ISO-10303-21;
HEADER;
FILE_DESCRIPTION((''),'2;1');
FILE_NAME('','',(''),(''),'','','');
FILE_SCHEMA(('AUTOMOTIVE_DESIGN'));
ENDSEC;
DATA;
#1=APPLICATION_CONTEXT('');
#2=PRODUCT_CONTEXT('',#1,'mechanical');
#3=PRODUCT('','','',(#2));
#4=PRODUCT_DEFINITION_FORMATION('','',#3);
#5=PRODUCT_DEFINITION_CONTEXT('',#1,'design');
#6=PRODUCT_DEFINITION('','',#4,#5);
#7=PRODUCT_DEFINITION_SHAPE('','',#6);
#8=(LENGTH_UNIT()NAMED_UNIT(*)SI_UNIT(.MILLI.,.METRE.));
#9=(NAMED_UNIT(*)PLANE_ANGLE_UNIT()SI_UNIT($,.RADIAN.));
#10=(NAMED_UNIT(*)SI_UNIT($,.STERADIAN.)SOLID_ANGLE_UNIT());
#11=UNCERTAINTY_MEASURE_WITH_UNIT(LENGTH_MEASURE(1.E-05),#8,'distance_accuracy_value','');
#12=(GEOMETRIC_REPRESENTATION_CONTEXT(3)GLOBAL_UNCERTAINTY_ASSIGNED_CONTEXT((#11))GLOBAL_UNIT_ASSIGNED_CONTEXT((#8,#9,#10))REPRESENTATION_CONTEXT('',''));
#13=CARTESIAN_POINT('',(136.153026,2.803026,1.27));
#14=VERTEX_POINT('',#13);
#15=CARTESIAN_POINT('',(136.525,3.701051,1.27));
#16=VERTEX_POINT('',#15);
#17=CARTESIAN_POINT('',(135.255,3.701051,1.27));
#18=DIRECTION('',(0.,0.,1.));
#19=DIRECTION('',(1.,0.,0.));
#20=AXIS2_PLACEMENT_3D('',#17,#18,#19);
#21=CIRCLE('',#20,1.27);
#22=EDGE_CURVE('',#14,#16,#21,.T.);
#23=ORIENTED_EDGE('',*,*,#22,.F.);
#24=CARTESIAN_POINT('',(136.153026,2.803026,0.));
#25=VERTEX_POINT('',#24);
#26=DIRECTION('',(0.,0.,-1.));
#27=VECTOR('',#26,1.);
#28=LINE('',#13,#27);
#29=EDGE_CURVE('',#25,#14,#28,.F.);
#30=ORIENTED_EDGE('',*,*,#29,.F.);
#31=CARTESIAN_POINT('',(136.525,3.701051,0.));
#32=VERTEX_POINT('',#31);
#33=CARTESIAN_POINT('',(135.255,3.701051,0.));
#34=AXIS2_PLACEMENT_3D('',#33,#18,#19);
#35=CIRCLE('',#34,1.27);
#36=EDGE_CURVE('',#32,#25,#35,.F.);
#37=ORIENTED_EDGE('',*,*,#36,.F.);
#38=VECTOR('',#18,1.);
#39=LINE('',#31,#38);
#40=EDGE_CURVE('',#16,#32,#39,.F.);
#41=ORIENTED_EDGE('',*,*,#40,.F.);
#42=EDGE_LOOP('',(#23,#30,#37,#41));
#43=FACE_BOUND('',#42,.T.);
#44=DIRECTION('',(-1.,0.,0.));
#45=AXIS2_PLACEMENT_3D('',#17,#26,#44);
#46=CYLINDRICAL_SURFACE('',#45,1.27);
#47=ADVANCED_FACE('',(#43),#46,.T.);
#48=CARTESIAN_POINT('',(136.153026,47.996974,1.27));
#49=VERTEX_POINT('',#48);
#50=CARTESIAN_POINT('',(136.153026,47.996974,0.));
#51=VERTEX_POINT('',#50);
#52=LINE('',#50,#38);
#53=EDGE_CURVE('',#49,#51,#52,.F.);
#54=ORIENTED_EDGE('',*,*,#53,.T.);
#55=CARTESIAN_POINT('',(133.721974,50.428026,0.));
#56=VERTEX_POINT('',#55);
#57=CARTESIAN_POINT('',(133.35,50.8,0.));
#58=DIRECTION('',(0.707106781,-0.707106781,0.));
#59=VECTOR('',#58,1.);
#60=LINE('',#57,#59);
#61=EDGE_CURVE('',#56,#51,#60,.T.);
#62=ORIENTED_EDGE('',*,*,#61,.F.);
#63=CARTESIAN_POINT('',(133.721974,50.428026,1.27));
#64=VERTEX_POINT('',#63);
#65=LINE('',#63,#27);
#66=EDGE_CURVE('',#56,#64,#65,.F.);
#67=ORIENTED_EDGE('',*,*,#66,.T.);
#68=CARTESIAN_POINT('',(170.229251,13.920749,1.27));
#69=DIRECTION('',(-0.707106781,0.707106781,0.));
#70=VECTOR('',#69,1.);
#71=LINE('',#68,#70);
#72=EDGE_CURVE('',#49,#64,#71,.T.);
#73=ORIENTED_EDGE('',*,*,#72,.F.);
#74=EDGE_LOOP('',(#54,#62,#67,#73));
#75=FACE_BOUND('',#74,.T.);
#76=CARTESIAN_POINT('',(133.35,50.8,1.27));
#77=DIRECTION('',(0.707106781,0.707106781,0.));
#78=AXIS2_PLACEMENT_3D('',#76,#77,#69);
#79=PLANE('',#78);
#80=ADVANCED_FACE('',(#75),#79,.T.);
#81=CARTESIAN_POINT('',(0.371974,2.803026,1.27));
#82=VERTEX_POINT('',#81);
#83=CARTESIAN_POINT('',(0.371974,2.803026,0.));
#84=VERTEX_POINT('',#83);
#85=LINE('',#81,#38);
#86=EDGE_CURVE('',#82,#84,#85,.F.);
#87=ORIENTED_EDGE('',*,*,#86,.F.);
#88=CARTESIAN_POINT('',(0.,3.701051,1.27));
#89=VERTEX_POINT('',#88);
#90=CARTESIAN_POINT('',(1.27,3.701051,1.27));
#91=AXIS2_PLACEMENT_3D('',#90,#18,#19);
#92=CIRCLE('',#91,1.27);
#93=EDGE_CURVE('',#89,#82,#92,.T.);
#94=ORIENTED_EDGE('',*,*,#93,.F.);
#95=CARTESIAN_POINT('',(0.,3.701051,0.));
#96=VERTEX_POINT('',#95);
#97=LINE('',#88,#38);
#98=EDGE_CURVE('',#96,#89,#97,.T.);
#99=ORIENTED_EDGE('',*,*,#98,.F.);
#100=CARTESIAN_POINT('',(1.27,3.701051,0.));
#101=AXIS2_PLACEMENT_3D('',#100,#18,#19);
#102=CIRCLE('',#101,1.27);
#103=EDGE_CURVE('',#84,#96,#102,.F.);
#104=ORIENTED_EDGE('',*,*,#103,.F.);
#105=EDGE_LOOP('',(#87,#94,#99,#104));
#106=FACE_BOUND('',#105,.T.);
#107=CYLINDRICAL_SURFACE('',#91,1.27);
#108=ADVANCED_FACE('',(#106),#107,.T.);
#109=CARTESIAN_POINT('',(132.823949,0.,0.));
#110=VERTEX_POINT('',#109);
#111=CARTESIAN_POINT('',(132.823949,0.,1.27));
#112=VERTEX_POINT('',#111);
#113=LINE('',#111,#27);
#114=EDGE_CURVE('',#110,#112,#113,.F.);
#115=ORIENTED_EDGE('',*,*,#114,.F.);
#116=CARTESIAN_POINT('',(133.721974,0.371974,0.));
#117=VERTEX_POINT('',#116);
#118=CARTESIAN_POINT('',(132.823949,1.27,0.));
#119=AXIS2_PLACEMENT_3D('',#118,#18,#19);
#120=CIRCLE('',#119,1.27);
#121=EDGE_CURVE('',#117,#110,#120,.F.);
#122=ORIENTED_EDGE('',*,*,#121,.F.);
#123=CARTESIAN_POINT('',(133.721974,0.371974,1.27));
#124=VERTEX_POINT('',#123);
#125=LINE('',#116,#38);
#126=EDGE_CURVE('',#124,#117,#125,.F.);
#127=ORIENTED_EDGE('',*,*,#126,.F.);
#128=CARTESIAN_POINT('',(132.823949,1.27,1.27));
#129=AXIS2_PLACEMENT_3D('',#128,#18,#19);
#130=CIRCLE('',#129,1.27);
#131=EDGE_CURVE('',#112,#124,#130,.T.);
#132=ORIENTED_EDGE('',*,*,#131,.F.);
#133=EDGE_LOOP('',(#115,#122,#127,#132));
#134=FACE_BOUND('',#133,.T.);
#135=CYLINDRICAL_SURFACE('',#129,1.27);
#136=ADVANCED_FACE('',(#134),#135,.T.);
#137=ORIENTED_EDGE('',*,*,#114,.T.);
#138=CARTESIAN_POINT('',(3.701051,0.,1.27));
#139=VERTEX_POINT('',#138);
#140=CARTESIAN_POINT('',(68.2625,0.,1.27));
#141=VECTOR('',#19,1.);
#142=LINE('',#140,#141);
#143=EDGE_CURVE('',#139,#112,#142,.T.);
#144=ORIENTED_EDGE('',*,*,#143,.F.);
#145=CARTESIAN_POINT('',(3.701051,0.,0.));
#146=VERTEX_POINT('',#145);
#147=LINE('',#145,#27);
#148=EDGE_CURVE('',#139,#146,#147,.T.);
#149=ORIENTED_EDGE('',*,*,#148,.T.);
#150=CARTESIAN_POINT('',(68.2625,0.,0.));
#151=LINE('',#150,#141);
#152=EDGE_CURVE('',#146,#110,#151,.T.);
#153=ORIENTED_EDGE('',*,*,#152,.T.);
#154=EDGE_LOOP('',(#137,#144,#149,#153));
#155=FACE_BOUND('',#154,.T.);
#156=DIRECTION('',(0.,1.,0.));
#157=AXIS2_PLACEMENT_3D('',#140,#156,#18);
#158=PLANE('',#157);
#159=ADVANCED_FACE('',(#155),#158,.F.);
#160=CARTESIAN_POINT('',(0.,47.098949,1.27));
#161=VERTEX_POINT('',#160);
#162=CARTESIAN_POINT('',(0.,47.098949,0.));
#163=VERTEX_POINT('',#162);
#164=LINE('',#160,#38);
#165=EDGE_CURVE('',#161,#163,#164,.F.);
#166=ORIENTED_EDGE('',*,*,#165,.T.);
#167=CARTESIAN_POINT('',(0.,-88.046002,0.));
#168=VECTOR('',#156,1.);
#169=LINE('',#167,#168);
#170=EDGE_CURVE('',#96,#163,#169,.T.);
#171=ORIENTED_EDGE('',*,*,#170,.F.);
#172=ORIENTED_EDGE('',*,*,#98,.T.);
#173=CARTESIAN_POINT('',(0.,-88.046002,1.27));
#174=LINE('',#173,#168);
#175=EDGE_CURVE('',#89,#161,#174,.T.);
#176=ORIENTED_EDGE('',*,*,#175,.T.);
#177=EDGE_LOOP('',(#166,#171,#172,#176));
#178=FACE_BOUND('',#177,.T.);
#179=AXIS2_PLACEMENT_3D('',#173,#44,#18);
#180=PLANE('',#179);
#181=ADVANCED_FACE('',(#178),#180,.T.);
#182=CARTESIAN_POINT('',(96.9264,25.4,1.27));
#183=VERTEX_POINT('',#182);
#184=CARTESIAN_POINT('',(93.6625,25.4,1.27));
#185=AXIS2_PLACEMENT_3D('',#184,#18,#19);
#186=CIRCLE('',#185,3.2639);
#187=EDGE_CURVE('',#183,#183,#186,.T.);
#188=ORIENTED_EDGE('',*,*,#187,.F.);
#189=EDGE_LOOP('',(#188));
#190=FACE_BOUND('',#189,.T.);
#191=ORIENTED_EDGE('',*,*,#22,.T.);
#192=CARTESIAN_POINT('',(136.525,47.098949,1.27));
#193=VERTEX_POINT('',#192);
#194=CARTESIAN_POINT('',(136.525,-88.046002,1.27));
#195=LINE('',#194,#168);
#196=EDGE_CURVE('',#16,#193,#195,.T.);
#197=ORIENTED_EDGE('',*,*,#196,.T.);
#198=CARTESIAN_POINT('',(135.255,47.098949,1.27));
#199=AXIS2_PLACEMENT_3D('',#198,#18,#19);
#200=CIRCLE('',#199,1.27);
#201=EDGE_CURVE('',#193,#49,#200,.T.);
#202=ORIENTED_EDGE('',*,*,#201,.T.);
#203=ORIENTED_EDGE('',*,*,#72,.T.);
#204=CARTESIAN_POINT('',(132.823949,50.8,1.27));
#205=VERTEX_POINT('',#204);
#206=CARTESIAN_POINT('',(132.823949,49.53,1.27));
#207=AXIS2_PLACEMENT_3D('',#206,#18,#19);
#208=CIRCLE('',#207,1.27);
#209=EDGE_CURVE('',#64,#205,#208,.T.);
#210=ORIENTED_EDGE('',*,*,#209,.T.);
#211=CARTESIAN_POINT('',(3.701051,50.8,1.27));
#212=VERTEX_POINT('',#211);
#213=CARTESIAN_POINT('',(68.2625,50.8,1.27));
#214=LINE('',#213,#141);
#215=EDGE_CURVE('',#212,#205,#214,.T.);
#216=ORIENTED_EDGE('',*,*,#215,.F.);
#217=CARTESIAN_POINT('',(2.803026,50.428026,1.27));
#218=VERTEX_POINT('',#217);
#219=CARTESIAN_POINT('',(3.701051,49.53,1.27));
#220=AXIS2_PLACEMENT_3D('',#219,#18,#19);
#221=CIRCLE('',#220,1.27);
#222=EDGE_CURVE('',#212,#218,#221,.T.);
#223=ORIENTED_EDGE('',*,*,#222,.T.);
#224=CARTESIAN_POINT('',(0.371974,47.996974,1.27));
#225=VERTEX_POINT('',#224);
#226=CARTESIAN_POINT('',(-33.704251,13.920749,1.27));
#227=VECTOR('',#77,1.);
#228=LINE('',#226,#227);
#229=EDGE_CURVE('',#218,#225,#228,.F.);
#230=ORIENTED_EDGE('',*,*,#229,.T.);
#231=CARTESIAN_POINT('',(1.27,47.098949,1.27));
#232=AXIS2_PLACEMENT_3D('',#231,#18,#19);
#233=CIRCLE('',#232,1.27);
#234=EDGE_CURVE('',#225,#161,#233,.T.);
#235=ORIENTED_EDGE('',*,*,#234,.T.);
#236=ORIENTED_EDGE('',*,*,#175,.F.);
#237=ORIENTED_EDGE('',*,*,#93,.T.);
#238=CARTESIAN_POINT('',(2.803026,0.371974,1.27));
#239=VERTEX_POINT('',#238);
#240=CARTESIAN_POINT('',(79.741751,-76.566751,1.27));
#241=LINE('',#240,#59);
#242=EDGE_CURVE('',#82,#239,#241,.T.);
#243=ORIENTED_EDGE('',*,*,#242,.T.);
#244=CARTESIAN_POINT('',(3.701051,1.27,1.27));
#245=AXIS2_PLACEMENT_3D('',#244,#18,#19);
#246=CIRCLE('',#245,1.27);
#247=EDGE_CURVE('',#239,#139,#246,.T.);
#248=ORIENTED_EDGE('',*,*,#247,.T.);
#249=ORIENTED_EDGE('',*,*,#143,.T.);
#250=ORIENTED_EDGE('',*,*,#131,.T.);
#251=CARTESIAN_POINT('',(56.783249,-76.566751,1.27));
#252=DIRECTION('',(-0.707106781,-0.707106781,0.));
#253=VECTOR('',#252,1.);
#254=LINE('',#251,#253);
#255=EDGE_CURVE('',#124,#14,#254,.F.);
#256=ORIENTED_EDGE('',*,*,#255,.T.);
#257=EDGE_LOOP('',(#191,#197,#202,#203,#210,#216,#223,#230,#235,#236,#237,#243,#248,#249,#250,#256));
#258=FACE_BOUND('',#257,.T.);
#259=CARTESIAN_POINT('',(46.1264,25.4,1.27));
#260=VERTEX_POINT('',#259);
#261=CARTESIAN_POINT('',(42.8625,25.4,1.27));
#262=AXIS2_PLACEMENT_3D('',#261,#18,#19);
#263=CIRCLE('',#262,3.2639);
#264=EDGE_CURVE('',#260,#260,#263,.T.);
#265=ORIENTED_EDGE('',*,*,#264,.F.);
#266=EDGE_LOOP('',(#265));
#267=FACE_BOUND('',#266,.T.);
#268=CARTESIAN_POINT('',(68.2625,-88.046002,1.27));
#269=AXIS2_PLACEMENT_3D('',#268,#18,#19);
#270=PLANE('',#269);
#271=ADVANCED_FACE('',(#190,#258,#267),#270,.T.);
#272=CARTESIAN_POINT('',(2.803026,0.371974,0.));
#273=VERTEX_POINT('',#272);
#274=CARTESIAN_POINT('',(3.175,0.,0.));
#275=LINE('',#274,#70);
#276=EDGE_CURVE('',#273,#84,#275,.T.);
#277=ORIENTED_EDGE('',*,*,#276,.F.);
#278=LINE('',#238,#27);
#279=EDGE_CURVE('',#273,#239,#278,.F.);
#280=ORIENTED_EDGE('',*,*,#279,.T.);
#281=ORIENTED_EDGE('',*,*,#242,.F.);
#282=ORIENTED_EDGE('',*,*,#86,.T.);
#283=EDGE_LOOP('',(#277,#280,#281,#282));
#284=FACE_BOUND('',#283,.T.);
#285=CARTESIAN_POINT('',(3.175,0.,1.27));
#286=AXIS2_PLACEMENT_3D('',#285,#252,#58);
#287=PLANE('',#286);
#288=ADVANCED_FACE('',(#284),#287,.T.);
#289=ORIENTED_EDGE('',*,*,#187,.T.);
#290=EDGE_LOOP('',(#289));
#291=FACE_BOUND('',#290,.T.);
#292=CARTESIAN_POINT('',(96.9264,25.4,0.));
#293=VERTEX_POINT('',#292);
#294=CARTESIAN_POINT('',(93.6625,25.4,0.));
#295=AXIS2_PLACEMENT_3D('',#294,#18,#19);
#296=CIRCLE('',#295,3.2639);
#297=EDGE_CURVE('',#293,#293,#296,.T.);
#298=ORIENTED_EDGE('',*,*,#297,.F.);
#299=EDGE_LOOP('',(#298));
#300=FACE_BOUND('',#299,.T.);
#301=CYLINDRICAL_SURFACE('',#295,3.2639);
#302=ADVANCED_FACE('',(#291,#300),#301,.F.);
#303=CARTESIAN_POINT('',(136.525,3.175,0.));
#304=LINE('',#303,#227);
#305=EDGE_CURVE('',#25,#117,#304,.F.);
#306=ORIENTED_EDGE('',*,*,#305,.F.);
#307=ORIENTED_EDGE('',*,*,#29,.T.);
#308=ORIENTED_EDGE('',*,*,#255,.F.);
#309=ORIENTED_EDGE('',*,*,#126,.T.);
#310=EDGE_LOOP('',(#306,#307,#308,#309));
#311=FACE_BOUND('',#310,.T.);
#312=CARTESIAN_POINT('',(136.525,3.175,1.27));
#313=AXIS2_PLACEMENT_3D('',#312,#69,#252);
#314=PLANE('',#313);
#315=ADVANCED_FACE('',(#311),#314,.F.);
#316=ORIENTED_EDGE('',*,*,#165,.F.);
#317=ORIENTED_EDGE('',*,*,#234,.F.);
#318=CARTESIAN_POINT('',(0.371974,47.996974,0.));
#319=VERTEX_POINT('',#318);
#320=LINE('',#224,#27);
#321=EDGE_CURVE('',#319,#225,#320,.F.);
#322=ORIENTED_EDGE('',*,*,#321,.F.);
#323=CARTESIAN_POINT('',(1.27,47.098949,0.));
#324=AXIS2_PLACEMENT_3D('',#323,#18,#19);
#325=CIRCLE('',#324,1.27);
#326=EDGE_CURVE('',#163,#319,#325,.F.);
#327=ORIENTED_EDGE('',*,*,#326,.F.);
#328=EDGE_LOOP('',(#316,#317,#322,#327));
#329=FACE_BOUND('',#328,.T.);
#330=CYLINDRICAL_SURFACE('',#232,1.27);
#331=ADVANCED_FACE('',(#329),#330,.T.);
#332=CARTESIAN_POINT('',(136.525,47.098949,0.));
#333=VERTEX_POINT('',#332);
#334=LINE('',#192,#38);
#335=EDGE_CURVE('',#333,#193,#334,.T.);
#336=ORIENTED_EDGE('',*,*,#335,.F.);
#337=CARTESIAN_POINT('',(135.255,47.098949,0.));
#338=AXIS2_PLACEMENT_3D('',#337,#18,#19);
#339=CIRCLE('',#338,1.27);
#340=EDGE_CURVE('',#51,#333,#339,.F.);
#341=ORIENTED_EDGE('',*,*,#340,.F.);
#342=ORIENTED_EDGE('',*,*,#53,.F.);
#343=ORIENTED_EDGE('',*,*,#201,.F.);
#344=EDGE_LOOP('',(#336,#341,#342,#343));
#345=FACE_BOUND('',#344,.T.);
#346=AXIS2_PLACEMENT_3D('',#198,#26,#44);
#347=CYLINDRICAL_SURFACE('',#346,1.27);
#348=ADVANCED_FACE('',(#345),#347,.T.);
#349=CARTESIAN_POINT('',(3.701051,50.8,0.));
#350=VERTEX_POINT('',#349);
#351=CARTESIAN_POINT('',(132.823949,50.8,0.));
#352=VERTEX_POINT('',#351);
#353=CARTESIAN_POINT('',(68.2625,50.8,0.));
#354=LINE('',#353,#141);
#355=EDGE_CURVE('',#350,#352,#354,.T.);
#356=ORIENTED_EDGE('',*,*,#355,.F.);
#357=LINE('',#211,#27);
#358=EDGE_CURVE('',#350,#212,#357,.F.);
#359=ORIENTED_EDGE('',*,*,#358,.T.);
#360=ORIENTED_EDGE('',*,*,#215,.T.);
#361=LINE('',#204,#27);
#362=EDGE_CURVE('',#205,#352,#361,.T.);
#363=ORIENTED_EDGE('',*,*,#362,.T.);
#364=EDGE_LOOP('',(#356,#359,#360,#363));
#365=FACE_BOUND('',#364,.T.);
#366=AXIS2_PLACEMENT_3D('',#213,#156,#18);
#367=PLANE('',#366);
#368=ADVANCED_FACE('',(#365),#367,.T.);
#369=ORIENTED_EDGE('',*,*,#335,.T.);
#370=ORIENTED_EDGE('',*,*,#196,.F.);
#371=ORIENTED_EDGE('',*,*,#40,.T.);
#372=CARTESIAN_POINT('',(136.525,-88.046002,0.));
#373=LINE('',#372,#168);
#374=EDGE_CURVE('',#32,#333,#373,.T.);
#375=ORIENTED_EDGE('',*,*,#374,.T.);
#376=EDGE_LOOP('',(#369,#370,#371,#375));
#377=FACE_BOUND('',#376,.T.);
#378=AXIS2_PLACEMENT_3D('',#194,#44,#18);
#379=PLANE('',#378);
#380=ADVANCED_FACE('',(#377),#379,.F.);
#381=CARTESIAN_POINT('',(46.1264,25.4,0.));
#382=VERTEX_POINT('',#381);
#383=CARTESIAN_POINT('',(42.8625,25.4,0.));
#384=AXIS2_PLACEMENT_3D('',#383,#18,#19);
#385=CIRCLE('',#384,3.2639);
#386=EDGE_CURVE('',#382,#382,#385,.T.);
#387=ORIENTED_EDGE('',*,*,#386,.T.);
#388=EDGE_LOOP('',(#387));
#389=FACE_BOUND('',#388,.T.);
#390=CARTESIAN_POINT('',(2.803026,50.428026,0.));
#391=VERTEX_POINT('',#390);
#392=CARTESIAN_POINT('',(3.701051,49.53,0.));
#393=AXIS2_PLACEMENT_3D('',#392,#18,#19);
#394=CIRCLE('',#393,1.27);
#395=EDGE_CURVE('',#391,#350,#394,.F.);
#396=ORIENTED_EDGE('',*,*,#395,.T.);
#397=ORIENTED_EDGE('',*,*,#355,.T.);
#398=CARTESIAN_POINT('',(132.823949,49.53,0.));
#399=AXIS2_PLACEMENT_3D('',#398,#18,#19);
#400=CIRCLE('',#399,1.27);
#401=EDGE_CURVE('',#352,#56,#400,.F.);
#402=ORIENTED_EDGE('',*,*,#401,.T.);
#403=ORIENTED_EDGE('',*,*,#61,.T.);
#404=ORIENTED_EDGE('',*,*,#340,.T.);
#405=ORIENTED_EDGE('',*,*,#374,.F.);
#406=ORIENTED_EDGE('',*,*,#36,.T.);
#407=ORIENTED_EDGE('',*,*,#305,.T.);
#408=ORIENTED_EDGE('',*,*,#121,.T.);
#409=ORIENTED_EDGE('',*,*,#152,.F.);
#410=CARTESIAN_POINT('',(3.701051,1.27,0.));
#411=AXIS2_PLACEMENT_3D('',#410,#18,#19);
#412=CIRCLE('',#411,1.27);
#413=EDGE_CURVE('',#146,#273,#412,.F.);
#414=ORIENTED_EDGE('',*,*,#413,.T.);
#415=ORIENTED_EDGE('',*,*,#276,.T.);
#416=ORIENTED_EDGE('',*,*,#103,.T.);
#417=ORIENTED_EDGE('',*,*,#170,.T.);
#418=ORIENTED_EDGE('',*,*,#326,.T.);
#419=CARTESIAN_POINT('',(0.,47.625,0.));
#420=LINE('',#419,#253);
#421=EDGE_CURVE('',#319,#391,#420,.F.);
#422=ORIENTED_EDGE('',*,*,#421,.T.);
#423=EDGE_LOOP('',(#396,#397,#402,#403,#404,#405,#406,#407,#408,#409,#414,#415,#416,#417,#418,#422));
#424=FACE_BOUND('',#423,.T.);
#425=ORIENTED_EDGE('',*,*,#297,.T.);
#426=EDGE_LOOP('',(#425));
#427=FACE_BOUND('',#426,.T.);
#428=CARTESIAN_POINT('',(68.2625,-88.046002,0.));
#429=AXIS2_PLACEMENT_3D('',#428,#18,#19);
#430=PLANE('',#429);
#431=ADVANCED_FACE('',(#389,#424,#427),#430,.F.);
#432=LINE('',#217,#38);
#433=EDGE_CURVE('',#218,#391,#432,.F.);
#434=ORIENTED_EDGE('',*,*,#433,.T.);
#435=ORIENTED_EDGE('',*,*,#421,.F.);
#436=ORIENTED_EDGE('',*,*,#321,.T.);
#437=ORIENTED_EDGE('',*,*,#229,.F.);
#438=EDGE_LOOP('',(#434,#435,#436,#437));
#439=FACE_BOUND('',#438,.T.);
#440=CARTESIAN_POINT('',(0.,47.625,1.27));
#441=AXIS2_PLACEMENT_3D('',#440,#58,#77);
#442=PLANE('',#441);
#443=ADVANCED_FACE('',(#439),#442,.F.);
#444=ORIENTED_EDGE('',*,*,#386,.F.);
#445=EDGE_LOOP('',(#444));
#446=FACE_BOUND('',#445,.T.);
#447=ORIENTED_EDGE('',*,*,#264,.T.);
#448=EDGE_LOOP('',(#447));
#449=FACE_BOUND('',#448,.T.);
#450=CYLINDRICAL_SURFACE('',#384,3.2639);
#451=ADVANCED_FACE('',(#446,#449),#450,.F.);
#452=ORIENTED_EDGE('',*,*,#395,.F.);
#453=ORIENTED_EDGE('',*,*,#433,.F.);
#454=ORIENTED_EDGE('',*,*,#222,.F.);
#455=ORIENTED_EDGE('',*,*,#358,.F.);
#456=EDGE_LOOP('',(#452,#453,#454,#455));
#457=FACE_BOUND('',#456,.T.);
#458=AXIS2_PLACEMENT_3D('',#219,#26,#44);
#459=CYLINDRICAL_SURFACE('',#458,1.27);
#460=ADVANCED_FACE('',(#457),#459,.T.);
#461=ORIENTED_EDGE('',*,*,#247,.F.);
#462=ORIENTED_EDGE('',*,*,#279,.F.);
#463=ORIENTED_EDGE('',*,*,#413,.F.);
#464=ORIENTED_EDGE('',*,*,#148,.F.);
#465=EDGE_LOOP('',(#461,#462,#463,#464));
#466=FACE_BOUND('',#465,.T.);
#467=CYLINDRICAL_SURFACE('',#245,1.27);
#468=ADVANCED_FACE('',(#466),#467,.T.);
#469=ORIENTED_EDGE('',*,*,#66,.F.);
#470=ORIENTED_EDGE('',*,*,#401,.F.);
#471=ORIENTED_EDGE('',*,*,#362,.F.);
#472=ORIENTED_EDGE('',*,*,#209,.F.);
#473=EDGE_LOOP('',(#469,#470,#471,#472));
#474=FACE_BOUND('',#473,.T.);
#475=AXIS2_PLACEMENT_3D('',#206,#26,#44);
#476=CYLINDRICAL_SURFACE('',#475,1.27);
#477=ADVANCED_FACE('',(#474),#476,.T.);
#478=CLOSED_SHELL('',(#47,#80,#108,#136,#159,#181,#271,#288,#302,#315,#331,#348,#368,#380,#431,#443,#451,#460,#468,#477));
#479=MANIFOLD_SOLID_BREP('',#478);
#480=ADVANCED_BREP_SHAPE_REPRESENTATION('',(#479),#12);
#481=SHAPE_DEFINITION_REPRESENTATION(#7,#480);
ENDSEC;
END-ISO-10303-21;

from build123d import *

# Parameters (mm, degrees)
SKETCH1_W           = 136.525
SKETCH1_H           = 50.8
BOSS_EXTRUDE1_DEPTH = 1.27
SKETCH3_R           = 3.2639
CUT_EXTRUDE1_DEPTH  = 2.27
CHAMFER1_SIZE       = 3.175
FILLET1_R           = 1.27


with BuildPart() as part:
    # Sketch1 → Boss-Extrude1 (new body)
    with BuildSketch(Plane.XY):
        with Locations((68.2625, 25.4)):
            Rectangle(SKETCH1_W, SKETCH1_H)
    extrude(amount=BOSS_EXTRUDE1_DEPTH)

    # Sketch3 → Cut-Extrude1 (cut, through all)
    with BuildSketch(Plane.XY.offset(1.27)):
        with Locations((93.6625, 25.4)):
            Circle(SKETCH3_R)
        with Locations((42.8625, 25.4)):
            Circle(SKETCH3_R)
    extrude(amount=-CUT_EXTRUDE1_DEPTH, mode=Mode.SUBTRACT)

    # Chamfer1
    chamfer1_edges = [part.edges().sort_by_distance(p)[0] for p in [
        (0, 0, 0.635),
        (0, 50.8, 0.635),
        (136.525, 50.8, 0.635),
        (136.525, 0, 0.635),
    ]]
    chamfer(chamfer1_edges, length=CHAMFER1_SIZE)

    # Fillet1
    fillet1_edges = [part.edges().sort_by_distance(p)[0] for p in [
        (133.35, 0, 0.635),
        (3.175, 0, 0.635),
        (0, 47.625, 0.635),
        (0, 3.175, 0.635),
        (133.35, 50.8, 0.635),
        (3.175, 50.8, 0.635),
        (136.525, 3.175, 0.635),
        (136.525, 47.625, 0.635),
    ]]
    fillet(fillet1_edges, radius=FILLET1_R)


solid = part.part
